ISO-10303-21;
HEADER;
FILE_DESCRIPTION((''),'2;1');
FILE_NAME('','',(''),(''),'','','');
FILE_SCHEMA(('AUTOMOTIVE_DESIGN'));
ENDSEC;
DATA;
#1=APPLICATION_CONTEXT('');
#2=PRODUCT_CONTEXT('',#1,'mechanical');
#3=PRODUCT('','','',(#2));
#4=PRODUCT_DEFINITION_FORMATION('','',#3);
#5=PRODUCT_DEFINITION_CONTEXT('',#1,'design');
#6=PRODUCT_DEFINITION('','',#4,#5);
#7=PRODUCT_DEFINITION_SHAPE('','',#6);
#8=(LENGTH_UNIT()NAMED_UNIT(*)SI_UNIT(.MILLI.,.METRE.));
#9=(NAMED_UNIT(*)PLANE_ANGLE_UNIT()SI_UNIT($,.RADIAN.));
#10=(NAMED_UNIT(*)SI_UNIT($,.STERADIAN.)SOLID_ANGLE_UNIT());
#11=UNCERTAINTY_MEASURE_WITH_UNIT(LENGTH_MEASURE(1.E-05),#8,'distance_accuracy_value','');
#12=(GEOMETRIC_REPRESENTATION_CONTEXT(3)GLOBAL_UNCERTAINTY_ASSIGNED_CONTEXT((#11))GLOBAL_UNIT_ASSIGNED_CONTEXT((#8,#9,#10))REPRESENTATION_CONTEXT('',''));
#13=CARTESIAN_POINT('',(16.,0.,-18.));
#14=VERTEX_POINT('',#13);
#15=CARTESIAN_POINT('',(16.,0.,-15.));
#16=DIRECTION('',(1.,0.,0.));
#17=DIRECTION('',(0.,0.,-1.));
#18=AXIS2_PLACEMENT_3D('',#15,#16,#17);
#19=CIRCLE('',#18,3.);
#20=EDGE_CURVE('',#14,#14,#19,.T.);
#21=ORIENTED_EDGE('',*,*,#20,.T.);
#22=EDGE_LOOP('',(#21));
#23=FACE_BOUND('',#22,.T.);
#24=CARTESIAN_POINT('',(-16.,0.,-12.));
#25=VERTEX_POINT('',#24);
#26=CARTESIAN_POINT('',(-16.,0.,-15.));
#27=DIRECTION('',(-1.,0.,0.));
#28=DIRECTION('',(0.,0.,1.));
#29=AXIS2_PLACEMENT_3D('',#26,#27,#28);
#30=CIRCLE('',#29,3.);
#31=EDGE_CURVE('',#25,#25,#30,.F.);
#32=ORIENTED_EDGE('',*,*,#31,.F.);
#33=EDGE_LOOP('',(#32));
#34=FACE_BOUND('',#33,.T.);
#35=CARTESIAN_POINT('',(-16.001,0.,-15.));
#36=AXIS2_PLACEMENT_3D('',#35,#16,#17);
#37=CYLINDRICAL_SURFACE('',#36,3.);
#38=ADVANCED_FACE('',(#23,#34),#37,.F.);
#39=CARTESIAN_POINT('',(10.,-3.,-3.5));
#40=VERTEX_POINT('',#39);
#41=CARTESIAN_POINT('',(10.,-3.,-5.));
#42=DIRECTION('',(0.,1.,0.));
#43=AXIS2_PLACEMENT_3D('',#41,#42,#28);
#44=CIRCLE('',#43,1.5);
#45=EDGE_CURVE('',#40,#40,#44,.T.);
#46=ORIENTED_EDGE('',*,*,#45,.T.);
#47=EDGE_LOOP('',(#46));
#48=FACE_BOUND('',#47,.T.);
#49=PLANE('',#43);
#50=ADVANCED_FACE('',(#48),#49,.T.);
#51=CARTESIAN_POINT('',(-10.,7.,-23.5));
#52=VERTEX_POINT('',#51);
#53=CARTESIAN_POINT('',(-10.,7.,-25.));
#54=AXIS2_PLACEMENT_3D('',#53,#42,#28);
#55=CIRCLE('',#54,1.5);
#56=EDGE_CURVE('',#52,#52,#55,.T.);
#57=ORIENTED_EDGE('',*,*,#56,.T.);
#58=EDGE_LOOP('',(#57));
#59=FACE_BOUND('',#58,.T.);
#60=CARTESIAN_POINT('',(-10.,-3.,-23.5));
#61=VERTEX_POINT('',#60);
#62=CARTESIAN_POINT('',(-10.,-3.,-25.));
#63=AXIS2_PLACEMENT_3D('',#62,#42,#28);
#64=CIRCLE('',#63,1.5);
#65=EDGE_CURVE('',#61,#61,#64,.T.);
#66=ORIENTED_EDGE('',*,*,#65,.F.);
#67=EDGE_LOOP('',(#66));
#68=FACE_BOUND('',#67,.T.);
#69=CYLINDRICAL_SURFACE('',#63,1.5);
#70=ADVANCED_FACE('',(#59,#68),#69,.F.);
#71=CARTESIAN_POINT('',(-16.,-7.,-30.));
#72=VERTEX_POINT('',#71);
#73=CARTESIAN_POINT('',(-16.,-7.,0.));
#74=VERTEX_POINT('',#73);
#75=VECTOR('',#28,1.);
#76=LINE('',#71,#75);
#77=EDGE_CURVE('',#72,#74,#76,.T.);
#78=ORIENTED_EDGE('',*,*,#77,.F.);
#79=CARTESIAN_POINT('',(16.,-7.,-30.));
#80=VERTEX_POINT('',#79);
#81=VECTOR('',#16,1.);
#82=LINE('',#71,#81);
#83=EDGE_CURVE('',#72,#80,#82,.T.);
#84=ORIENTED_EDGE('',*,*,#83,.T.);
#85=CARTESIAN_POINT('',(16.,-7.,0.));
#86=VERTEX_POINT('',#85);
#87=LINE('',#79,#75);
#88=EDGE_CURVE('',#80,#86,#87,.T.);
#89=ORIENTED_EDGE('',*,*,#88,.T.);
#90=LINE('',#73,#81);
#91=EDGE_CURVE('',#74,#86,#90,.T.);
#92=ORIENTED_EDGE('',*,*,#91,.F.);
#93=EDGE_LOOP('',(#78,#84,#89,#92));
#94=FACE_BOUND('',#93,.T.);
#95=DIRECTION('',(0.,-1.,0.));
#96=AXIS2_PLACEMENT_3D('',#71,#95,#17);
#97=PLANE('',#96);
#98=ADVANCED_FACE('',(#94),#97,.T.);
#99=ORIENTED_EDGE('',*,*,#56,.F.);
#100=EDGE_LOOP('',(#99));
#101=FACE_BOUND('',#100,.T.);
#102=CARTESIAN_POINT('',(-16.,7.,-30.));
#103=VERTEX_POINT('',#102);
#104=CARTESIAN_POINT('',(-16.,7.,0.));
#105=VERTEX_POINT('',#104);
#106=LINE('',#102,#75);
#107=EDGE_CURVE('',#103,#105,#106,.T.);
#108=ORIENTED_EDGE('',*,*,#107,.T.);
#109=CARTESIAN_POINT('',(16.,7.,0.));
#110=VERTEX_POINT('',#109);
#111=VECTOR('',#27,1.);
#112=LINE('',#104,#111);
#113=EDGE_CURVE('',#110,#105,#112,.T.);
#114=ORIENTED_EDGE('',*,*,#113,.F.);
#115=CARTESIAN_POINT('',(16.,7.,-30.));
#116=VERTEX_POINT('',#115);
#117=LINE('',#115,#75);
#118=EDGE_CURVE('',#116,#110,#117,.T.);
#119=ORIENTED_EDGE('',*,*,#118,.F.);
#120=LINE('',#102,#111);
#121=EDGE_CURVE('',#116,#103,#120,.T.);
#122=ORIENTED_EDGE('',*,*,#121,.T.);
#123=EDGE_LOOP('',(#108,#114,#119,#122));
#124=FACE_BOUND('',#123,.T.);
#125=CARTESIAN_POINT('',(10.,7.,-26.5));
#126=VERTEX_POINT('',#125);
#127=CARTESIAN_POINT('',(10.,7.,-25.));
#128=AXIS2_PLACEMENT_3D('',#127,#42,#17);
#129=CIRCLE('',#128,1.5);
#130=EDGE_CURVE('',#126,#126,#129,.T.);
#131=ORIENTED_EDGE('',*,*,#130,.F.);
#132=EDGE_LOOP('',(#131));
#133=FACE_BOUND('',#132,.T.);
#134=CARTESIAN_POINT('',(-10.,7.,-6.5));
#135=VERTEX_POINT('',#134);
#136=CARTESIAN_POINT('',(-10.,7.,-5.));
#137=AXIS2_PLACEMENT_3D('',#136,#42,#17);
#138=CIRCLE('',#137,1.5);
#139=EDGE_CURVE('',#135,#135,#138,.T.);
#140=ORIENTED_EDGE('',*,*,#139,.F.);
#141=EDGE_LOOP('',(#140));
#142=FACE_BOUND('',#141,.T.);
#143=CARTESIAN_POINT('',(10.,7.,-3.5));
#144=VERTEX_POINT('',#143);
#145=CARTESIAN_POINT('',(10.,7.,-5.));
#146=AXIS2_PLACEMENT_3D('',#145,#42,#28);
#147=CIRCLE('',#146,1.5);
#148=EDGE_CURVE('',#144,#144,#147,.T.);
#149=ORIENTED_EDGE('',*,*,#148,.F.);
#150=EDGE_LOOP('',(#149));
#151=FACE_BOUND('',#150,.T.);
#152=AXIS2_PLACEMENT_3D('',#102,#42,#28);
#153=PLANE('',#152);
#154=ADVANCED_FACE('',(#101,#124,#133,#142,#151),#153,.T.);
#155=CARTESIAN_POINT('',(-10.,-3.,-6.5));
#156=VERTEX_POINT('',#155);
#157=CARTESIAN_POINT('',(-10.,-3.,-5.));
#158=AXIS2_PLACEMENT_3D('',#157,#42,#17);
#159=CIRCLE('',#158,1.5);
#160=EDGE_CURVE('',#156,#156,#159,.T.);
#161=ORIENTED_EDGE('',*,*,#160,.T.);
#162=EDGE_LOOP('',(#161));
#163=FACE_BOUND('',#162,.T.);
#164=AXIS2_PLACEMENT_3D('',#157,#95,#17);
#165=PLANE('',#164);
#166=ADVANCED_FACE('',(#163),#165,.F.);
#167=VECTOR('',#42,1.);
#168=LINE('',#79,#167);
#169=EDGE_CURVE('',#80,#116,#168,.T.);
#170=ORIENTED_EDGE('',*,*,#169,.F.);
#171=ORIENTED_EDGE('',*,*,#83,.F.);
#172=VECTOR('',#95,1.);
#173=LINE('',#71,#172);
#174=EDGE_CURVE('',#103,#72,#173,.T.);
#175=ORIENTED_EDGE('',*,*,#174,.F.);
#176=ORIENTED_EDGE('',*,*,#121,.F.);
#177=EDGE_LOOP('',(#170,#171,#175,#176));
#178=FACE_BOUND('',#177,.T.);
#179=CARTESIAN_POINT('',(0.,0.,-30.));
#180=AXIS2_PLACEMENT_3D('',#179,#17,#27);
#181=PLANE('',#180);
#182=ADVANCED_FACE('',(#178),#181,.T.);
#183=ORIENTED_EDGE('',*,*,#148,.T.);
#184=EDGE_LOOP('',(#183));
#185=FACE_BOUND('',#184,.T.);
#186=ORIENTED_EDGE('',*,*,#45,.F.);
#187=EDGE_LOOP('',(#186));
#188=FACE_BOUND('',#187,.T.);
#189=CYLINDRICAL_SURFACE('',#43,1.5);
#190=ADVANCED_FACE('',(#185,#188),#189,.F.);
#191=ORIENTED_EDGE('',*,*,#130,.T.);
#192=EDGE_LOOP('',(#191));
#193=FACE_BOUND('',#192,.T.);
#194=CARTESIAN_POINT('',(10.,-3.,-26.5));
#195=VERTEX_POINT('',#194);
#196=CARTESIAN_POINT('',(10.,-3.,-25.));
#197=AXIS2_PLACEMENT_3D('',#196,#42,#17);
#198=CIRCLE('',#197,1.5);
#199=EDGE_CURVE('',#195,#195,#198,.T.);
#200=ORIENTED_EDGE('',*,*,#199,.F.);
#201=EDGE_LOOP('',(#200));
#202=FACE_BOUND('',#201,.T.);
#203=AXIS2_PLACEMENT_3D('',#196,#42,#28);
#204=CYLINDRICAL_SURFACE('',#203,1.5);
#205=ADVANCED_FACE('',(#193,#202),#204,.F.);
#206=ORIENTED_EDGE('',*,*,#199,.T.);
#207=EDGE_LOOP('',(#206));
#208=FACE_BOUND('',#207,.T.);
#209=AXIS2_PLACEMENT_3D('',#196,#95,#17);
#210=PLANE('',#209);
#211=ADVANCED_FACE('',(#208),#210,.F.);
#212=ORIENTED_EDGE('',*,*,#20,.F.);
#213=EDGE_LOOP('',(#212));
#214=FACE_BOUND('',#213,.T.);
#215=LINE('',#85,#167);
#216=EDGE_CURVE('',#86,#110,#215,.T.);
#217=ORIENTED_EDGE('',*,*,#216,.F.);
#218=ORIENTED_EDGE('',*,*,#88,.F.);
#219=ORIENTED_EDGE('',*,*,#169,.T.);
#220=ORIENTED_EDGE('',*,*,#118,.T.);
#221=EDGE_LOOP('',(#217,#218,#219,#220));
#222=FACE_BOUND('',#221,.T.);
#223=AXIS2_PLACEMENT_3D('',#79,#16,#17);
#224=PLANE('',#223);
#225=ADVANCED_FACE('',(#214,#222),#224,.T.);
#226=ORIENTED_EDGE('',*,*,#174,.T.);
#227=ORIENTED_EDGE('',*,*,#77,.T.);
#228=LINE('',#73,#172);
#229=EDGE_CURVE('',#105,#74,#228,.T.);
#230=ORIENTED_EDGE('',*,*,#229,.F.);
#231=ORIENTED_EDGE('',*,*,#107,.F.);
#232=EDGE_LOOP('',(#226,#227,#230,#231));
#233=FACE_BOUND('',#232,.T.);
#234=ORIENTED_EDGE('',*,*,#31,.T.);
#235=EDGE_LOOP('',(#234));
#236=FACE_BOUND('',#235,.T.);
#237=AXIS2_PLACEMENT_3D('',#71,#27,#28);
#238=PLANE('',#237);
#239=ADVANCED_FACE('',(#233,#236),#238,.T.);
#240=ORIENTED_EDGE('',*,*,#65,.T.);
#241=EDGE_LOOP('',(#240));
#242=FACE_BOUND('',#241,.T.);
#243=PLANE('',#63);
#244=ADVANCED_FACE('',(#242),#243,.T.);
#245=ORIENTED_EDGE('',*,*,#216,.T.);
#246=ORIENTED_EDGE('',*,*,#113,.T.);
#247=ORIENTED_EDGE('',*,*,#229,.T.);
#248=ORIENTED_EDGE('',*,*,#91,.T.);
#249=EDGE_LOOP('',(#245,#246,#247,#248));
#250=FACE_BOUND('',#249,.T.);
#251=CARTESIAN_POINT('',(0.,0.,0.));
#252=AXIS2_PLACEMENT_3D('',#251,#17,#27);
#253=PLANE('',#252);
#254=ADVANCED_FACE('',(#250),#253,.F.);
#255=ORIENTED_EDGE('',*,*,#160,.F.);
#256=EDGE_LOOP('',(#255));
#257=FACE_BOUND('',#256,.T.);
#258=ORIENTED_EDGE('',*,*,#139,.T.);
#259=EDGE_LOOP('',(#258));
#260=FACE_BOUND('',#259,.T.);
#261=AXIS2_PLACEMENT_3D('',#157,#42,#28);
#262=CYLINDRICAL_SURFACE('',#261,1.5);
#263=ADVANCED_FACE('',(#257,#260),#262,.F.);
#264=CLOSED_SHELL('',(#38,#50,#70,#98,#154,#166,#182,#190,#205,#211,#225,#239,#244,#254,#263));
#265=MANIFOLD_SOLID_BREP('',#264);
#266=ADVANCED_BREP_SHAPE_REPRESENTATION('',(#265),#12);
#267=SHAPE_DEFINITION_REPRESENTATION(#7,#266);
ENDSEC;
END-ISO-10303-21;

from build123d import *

# Parameters (mm, degrees)
SKETCH_1_W          = 32
SKETCH_1_H          = 14
EXTRUDE_1_DEPTH     = 30
SKETCH_2_R          = 1.5
CUT_EXTRUDE_1_DEPTH = 10
CUT_EXTRUDE_2_REACH = 46.418
SKETCH_3_R          = 3


with BuildPart() as part:
    # 草图1 → 凸台-拉伸1 (new body)
    with BuildSketch(Plane.XY):
        Rectangle(SKETCH_1_W, SKETCH_1_H)
    extrude(amount=-EXTRUDE_1_DEPTH)

    # 草图2 → 切除-拉伸1 (cut)
    with BuildSketch(Plane(origin=(0, 7, 0), x_dir=(1, 0, 0), z_dir=(0, 1, 0))):
        with Locations(Location((-10, 25, 0), (0, 0, 270))):
            Circle(SKETCH_2_R)
        with Locations(Location((10, 25, 0), (0, 0, 90))):
            Circle(SKETCH_2_R)
        with Locations(Location((10, 5, 0), (0, 0, 270))):
            Circle(SKETCH_2_R)
        with Locations(Location((-10, 5, 0), (0, 0, 90))):
            Circle(SKETCH_2_R)
    extrude(amount=-CUT_EXTRUDE_1_DEPTH, mode=Mode.SUBTRACT)

    # 草图3 → 切除-拉伸2 (cut, up to next)
    with BuildSketch(Plane(origin=(16, 0, 0), x_dir=(0, 0, -1), z_dir=(1, 0, 0)), mode=Mode.PRIVATE) as cut_extrude_2_sk1:
        with Locations((15, 0)):
            Circle(SKETCH_3_R)
    cut_extrude_2_tool1 = extrude(cut_extrude_2_sk1.sketch, amount=-CUT_EXTRUDE_2_REACH, mode=Mode.PRIVATE) & part.part
    add(cut_extrude_2_tool1.solids().sort_by_distance((16, 0, -15))[0], mode=Mode.SUBTRACT)


solid = part.part
